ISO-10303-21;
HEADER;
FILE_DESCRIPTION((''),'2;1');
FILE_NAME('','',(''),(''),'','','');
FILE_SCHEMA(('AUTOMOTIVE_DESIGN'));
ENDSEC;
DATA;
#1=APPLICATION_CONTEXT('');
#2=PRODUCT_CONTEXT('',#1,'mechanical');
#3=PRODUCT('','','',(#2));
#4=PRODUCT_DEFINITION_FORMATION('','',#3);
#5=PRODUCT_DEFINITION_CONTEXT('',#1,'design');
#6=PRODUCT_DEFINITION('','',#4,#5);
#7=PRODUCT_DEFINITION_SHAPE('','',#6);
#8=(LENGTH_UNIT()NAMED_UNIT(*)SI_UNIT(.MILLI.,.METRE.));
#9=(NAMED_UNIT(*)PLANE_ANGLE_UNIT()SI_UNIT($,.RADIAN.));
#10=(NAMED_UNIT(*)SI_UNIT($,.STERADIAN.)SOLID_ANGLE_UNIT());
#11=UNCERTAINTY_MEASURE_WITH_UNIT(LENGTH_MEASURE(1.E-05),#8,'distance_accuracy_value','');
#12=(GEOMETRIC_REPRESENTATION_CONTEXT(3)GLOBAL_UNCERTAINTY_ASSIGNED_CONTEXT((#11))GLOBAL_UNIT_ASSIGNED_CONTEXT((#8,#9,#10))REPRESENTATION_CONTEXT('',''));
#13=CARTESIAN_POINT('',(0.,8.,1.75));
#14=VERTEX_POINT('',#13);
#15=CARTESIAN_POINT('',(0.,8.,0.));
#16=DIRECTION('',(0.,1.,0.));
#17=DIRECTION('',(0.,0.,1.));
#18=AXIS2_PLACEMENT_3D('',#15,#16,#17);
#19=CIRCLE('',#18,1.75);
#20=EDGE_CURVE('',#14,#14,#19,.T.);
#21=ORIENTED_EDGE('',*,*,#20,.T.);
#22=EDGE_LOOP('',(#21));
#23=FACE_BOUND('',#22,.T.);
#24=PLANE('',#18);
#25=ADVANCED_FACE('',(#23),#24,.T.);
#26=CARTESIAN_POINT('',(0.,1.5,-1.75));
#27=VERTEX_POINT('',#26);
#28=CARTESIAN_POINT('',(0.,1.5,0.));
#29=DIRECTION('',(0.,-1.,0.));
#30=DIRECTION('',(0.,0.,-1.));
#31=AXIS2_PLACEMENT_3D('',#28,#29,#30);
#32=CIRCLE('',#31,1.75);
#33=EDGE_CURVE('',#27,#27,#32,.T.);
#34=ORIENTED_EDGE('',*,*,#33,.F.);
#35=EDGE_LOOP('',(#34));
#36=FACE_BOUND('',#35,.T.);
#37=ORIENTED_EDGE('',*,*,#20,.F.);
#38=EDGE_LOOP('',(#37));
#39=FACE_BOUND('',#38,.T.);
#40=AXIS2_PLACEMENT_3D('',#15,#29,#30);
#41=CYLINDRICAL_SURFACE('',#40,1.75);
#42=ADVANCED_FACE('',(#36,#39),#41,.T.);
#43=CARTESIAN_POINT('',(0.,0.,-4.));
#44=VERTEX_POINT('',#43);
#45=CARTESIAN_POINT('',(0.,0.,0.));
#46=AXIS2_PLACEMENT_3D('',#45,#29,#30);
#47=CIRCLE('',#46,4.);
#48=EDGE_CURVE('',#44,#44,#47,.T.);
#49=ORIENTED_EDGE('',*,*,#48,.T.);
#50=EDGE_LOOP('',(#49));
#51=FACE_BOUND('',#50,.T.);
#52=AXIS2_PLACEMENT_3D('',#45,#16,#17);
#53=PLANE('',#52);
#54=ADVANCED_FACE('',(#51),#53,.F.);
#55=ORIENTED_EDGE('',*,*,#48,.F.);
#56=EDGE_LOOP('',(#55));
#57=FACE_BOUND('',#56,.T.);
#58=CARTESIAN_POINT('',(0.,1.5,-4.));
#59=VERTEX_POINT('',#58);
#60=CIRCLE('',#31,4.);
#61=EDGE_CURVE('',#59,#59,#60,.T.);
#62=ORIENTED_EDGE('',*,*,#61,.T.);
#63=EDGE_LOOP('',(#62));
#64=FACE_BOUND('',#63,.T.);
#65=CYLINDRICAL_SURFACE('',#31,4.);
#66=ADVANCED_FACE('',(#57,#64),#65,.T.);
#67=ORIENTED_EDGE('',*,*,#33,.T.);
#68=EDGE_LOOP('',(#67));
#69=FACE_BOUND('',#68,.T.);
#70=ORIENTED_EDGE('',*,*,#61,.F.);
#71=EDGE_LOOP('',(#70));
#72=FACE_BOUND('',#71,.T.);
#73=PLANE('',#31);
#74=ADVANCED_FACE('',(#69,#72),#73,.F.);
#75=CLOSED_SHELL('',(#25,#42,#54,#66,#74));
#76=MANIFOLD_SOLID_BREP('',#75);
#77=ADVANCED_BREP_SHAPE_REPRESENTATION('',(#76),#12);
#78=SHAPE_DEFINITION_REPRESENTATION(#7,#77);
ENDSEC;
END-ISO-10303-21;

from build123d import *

# Parameters (mm, degrees)
SKETCH1_R           = 1.75
BOSS_EXTRUDE1_DEPTH = 8
SKETCH2_R           = 4
BOSS_EXTRUDE2_DEPTH = 1.5


with BuildPart() as part:
    # Sketch1 → Boss-Extrude1 (new body)
    with BuildSketch(Plane(origin=(0, 0, 0), x_dir=(1, 0, 0), z_dir=(0, 1, 0))):
        with Locations(Location((0, 0, 0), (0, 0, 270))):
            Circle(SKETCH1_R)
    extrude(amount=BOSS_EXTRUDE1_DEPTH)

    # Sketch2 → Boss-Extrude2 (add)
    with BuildSketch(Plane.XZ):
        with Locations(Location((0, 0, 0), (0, 0, 270))):
            Circle(SKETCH2_R)
    extrude(amount=-BOSS_EXTRUDE2_DEPTH)


solid = part.part
